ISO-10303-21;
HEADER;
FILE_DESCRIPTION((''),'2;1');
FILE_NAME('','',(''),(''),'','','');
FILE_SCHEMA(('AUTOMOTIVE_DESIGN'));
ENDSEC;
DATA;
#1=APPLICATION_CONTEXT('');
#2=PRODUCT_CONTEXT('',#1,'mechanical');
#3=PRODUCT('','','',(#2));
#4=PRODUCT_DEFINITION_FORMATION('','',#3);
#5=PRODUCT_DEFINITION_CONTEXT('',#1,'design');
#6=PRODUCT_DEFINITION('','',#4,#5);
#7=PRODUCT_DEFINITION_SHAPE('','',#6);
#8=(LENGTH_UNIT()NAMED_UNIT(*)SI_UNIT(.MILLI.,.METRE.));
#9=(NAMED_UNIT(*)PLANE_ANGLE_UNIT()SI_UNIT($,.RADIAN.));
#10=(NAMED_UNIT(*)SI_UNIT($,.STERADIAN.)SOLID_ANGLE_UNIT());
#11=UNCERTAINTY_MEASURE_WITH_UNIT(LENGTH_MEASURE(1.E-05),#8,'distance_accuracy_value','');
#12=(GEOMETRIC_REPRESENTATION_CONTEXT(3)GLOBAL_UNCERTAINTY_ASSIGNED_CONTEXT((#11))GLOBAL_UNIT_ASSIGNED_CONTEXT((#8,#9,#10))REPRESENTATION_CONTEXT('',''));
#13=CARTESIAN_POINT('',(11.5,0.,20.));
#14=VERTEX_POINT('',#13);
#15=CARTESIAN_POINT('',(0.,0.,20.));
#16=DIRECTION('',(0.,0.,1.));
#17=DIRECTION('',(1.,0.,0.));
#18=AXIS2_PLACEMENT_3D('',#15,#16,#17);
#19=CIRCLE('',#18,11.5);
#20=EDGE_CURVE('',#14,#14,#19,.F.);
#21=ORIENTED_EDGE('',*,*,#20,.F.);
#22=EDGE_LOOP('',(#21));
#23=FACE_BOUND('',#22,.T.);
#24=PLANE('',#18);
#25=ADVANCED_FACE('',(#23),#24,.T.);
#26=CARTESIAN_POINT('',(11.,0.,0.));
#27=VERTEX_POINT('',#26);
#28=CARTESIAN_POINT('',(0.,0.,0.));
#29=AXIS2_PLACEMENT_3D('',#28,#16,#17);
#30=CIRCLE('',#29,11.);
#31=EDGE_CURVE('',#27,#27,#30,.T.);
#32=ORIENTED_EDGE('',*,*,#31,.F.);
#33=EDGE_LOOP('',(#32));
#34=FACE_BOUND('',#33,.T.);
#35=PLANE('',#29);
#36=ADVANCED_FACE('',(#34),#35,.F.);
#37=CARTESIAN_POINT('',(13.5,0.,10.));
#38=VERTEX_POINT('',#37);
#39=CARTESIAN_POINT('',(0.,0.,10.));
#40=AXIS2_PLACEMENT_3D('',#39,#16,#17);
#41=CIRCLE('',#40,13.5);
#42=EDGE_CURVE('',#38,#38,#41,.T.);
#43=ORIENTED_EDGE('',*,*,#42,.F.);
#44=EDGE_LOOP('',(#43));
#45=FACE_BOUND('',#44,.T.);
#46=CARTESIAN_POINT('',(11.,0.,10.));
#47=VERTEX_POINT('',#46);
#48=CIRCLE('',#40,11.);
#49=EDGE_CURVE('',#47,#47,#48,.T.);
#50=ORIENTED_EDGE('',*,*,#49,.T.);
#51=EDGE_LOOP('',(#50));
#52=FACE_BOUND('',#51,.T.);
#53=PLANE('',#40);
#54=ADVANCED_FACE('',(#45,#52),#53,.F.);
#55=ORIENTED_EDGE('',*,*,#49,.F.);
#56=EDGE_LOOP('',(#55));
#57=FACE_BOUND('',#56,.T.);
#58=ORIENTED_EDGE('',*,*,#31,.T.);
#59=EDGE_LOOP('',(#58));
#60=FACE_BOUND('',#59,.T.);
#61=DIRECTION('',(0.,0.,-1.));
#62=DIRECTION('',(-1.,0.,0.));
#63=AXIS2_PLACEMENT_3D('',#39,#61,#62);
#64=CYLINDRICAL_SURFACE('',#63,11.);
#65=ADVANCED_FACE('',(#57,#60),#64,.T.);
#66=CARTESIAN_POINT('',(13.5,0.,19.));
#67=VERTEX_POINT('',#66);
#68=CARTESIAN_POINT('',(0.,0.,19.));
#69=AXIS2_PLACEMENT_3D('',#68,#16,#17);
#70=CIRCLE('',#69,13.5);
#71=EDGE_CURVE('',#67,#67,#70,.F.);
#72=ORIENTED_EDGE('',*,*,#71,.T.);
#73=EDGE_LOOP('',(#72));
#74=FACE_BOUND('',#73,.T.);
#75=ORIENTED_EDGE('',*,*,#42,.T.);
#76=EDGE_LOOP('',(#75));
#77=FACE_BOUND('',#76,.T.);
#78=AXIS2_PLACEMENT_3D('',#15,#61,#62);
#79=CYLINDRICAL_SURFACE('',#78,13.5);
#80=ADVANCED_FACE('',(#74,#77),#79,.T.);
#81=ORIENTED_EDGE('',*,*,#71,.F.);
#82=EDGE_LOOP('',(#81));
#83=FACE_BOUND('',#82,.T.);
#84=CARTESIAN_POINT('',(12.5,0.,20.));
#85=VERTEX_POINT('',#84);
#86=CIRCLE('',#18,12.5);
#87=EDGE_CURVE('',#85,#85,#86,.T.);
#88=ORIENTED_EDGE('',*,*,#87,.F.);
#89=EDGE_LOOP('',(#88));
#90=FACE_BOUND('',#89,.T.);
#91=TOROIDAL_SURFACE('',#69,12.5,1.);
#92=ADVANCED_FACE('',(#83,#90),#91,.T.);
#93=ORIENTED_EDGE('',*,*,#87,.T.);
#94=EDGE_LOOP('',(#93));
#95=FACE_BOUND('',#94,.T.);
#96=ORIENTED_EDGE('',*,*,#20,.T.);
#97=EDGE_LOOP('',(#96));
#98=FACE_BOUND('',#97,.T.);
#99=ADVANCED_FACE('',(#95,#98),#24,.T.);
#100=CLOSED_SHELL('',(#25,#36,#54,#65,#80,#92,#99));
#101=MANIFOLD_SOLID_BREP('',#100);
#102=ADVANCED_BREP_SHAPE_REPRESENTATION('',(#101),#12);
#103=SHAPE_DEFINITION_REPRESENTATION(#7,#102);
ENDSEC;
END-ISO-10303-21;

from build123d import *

# Parameters (mm, degrees)
SKETCH1_R           = 11
BOSS_EXTRUDE1_DEPTH = 10
SKETCH2_R           = 13.5
BOSS_EXTRUDE2_DEPTH = 10
FILLET1_R           = 1


with BuildPart() as part:
    # Sketch1 → Boss-Extrude1 (new body)
    with BuildSketch(Plane.XY):
        Circle(SKETCH1_R)
    extrude(amount=BOSS_EXTRUDE1_DEPTH)

    # Sketch2 → Boss-Extrude2 (add)
    with BuildSketch(Plane.XY.offset(10)):
        Circle(SKETCH2_R)
    extrude(amount=BOSS_EXTRUDE2_DEPTH)

    # Fillet1
    fillet1_edges = [part.edges().sort_by_distance(p)[0] for p in [
        (-13.5, 0, 20),
    ]]
    fillet(fillet1_edges, radius=FILLET1_R)


solid = part.part
